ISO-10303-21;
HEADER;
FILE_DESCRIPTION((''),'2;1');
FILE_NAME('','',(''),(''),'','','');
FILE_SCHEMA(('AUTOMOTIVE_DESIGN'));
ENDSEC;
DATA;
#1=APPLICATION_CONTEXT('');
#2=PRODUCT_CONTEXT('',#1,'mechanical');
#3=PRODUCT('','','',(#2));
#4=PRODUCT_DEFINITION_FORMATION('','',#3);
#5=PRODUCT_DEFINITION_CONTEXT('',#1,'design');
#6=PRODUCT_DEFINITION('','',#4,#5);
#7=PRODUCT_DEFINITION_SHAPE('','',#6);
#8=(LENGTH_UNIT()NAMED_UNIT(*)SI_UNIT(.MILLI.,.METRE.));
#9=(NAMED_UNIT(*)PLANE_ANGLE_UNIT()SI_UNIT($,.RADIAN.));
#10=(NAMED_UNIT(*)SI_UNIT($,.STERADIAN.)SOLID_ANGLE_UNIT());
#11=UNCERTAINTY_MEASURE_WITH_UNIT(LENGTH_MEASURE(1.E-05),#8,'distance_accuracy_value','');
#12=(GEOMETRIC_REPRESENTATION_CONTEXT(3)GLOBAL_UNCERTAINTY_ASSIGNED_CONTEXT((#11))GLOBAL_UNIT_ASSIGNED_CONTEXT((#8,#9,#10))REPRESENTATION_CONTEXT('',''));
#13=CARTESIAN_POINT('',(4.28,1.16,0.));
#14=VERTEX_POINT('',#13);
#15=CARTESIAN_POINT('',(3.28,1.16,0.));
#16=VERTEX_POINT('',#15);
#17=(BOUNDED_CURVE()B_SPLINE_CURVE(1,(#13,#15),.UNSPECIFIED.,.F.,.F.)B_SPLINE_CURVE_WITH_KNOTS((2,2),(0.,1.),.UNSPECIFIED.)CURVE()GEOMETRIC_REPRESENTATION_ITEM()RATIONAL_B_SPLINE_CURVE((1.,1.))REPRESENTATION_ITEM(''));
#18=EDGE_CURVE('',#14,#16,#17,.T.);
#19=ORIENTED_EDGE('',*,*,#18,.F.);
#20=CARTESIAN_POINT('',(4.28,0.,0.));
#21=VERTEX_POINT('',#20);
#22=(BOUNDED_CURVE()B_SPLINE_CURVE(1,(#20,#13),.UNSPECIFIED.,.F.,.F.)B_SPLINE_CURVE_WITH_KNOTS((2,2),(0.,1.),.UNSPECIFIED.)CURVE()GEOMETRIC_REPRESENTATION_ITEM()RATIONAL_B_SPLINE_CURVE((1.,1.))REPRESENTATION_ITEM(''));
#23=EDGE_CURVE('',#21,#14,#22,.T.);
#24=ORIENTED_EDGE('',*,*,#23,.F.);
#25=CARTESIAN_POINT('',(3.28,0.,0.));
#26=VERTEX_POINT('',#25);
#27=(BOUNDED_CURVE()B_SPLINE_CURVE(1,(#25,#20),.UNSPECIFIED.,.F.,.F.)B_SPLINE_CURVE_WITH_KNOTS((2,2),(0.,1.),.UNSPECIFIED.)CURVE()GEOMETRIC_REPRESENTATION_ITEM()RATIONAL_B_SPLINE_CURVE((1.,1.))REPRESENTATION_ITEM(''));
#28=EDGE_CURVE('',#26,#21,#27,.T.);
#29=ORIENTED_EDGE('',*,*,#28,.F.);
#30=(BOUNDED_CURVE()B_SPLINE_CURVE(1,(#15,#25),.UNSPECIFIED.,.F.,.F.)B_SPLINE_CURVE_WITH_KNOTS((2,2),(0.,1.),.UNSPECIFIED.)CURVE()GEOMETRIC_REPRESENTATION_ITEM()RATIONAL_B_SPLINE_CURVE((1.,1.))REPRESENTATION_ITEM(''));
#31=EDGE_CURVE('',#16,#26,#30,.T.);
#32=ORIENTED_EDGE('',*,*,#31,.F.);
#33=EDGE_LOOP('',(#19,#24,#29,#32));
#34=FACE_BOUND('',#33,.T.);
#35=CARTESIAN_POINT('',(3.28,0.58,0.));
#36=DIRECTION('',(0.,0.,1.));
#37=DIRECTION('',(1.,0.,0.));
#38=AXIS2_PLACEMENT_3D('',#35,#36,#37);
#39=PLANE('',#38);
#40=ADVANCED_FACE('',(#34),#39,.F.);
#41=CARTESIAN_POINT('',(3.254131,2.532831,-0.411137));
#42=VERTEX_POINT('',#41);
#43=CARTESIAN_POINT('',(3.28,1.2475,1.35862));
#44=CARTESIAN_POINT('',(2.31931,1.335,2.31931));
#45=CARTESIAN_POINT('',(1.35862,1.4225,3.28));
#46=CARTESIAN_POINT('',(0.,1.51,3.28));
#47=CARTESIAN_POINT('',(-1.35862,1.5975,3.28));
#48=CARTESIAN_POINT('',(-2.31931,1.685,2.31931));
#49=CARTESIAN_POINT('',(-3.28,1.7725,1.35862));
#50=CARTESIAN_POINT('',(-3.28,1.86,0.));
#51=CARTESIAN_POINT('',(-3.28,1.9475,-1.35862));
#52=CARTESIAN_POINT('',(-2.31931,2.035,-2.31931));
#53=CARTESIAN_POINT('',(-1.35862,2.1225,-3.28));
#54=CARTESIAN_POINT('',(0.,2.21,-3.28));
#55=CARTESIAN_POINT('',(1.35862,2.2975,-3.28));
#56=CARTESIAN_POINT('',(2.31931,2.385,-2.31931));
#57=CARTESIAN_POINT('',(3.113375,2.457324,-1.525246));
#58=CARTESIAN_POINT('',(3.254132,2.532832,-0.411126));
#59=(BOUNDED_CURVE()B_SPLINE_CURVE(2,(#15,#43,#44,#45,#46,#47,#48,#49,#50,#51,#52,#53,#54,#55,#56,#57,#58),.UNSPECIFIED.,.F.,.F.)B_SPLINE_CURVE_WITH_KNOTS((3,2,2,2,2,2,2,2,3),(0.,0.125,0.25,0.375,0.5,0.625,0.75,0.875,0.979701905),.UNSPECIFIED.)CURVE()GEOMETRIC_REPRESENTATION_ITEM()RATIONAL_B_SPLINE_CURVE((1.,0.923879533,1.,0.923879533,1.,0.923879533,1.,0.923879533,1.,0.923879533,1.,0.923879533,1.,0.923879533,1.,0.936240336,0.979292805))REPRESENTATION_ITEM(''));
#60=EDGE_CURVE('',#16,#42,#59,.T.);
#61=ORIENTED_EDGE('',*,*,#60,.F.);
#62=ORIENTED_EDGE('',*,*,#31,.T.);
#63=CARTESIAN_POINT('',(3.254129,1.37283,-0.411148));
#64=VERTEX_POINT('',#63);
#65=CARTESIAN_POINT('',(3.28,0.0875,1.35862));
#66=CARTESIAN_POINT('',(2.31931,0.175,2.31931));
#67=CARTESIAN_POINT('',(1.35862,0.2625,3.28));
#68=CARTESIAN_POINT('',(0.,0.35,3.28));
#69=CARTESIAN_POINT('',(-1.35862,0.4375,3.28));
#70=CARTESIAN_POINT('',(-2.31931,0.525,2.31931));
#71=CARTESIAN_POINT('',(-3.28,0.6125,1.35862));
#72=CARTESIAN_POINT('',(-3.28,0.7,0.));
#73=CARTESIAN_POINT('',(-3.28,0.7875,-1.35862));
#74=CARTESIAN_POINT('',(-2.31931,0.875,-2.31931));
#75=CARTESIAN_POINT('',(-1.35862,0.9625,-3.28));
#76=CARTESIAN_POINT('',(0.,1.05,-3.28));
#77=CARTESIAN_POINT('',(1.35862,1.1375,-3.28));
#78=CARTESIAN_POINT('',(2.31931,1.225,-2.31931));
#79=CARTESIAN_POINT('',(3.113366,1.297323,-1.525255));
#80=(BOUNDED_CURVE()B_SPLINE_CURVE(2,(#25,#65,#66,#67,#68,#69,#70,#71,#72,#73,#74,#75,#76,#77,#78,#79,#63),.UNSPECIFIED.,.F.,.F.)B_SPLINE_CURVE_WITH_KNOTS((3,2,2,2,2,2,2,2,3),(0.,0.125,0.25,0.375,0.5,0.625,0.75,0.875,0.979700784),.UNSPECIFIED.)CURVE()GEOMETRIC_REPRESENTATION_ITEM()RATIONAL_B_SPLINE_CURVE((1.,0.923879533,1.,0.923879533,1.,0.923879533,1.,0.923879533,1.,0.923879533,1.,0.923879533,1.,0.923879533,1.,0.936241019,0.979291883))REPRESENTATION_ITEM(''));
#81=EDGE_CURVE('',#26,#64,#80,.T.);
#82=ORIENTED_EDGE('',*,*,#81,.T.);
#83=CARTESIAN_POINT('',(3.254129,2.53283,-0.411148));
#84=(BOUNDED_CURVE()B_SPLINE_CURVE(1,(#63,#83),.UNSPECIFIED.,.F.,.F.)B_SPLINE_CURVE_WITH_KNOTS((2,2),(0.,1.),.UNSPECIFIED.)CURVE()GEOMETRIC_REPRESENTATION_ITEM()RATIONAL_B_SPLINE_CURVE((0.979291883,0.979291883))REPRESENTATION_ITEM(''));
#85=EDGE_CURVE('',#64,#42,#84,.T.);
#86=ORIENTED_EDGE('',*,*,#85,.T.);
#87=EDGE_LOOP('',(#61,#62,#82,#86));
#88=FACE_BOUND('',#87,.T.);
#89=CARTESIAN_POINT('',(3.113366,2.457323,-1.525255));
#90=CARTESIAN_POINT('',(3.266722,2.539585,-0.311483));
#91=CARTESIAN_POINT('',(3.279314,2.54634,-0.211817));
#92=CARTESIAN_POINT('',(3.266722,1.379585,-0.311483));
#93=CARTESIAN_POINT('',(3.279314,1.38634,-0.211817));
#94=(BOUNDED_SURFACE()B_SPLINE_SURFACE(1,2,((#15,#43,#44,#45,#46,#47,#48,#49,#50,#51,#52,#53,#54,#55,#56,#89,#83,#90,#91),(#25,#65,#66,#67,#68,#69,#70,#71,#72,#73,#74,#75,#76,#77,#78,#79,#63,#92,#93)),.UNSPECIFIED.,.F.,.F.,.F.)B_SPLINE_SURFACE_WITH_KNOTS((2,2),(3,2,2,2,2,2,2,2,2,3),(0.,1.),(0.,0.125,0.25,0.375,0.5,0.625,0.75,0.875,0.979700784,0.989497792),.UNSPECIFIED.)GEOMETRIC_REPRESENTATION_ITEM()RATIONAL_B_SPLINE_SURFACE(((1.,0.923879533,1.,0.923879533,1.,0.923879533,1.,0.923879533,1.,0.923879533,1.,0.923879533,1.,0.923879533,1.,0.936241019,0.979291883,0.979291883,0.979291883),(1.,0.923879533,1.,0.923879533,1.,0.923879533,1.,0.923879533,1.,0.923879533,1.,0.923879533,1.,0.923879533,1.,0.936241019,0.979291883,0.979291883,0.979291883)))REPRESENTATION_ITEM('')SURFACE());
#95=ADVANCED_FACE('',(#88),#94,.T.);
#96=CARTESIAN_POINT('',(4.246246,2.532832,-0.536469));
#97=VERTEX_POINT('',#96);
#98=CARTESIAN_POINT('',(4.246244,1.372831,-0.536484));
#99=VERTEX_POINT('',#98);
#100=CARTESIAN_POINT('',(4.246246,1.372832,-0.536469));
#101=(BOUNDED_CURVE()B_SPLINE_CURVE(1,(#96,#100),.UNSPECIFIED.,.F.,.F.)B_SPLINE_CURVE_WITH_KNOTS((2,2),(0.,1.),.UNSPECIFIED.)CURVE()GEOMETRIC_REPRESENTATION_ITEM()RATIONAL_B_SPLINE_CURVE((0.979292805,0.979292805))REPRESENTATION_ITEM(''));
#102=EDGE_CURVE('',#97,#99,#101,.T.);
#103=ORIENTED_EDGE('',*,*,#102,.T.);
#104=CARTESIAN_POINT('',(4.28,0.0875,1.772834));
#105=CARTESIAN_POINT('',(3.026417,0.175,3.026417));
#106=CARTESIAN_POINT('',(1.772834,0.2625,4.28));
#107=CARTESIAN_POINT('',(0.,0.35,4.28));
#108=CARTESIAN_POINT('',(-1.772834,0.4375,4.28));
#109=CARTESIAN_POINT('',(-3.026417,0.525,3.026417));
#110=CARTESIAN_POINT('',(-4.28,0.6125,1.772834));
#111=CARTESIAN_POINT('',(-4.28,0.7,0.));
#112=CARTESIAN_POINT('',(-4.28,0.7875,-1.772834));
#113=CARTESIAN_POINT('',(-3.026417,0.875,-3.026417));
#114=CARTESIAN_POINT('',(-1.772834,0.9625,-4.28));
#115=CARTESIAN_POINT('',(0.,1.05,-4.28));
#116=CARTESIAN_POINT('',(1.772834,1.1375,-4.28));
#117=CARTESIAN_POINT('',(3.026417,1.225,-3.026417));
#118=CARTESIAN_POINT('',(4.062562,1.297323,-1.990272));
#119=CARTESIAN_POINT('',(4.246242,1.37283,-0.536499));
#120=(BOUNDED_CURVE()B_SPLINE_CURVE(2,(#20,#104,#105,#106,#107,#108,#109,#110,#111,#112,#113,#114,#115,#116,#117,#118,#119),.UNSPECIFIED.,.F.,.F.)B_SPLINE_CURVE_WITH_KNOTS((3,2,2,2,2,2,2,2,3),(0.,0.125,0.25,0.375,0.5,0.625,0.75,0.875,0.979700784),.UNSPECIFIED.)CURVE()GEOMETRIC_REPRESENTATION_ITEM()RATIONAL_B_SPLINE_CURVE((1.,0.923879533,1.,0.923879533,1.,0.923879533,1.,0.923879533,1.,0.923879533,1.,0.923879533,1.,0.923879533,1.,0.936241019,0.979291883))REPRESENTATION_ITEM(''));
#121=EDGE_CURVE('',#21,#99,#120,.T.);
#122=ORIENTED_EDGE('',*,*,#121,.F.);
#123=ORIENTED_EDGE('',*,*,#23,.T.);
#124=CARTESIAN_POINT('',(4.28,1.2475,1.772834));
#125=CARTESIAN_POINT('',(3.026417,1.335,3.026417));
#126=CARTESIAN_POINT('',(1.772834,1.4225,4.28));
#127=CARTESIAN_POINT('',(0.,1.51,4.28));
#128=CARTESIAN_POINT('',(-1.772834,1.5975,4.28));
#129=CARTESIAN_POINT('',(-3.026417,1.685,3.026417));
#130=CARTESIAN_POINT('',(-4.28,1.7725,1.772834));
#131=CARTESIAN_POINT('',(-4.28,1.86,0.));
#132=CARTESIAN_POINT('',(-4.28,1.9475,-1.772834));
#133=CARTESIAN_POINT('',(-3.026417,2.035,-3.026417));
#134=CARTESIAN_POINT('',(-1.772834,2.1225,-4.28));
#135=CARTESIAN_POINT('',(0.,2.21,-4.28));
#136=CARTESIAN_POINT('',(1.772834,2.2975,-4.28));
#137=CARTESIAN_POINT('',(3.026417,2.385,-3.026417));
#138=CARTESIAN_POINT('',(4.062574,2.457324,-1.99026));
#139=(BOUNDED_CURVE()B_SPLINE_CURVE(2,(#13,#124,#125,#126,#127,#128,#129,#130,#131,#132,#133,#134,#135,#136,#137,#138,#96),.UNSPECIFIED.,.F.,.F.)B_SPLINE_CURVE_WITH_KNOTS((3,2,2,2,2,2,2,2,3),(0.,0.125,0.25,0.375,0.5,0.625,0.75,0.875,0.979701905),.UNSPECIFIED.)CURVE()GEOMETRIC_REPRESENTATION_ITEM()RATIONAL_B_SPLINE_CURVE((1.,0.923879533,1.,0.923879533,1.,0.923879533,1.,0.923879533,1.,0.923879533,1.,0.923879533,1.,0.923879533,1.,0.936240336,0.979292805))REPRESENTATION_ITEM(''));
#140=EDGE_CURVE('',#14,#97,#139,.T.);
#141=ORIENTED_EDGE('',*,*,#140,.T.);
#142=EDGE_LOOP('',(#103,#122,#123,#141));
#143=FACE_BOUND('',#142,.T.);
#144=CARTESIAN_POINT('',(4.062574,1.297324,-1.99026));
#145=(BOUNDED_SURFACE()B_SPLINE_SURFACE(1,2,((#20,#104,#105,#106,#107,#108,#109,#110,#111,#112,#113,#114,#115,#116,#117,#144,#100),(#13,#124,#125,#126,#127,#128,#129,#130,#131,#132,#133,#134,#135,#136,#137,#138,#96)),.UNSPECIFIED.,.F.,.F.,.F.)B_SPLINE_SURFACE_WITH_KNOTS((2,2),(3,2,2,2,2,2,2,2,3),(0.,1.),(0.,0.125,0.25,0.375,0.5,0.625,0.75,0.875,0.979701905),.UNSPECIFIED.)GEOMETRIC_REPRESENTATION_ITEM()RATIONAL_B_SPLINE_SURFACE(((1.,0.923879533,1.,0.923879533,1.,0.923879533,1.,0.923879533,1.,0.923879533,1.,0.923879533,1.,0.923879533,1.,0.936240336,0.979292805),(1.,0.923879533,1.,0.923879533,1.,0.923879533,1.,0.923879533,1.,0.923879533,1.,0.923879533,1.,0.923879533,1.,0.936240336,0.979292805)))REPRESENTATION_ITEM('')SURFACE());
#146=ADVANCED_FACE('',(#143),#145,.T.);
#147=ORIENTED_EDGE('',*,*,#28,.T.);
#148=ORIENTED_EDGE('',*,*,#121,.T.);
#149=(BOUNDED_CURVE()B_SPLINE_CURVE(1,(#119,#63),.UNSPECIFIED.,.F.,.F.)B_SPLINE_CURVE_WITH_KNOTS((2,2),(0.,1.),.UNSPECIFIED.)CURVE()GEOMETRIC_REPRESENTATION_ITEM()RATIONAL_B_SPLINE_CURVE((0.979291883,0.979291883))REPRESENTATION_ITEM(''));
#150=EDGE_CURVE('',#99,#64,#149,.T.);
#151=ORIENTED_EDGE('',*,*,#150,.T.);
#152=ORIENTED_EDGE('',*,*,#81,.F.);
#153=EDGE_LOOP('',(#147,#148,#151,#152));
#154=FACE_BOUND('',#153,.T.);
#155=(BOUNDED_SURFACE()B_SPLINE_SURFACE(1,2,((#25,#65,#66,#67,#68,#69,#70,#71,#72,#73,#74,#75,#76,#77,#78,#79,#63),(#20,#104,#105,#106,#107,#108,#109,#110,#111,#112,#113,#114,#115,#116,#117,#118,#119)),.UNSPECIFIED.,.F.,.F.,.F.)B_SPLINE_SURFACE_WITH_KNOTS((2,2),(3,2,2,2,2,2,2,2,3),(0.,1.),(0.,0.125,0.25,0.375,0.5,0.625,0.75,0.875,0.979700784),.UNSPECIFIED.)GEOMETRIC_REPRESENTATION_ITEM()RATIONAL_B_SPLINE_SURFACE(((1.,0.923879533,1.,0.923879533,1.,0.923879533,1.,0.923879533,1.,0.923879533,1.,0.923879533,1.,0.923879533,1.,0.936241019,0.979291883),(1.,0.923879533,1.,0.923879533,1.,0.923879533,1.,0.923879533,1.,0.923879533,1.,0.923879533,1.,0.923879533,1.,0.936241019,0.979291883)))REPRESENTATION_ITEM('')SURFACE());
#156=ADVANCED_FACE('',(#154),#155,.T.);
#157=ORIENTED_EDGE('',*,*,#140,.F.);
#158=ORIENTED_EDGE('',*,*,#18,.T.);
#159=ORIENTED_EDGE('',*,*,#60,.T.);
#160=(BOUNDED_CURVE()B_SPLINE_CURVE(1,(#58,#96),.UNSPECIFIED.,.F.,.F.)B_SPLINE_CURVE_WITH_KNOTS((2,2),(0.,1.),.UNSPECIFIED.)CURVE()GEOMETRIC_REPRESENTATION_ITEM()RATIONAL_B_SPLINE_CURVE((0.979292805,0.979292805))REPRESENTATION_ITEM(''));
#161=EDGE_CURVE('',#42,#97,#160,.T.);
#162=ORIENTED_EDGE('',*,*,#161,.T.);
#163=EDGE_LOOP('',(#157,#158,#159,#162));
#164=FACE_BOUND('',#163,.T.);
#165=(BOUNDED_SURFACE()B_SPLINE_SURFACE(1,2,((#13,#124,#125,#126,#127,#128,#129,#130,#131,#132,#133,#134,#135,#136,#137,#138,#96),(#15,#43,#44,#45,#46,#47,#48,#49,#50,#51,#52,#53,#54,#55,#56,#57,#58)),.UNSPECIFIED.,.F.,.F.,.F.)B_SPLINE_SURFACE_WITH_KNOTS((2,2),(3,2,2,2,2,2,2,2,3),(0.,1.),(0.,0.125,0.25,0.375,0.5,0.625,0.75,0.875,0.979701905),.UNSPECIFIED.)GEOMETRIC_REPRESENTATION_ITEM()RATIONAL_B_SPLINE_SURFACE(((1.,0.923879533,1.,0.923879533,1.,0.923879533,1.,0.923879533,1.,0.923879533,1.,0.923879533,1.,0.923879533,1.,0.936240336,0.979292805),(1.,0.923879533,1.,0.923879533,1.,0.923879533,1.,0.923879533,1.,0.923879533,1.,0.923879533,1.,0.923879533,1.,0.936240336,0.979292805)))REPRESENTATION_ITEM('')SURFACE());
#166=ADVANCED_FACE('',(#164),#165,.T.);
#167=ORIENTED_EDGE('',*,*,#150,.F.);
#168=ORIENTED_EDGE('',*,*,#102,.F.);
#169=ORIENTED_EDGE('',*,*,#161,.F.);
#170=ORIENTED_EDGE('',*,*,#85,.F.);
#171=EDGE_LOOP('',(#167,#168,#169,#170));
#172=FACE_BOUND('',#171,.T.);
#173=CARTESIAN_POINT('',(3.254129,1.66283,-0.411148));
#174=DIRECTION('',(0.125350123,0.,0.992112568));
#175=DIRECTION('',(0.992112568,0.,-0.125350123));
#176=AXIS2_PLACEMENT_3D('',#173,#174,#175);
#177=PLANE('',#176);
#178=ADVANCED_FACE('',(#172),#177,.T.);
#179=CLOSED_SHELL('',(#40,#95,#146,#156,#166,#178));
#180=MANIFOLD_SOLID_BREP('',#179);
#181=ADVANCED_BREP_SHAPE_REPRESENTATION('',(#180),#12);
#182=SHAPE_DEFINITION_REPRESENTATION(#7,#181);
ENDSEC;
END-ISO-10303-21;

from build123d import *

# Parameters (mm, degrees)
SWEEP1_PITCH       = 1.4
SWEEP1_HEIGHT      = 1.372
SWEEP1_RADIUS      = 3.28
SWEEP1_START_ANGLE = 90
SKETCH1_W          = 1
SKETCH1_H          = 1.16


with BuildPart() as part:
    # Sweep1: sweep along a helix
    with BuildLine() as sweep1_path:
        add(Helix(SWEEP1_PITCH, SWEEP1_HEIGHT, SWEEP1_RADIUS, center=(0, 0, 0), direction=(0, 1, 0), lefthand=True, mode=Mode.PRIVATE).rotate(Axis((0, 0, 0), (0, 1, 0)), SWEEP1_START_ANGLE))
    # Sketch1 → Sweep1 (sweep)
    with BuildSketch(Plane.XY):
        with Locations((3.78, 0.58)):
            Rectangle(SKETCH1_W, SKETCH1_H)
    sweep(path=sweep1_path.line, is_frenet=True)


solid = part.part
